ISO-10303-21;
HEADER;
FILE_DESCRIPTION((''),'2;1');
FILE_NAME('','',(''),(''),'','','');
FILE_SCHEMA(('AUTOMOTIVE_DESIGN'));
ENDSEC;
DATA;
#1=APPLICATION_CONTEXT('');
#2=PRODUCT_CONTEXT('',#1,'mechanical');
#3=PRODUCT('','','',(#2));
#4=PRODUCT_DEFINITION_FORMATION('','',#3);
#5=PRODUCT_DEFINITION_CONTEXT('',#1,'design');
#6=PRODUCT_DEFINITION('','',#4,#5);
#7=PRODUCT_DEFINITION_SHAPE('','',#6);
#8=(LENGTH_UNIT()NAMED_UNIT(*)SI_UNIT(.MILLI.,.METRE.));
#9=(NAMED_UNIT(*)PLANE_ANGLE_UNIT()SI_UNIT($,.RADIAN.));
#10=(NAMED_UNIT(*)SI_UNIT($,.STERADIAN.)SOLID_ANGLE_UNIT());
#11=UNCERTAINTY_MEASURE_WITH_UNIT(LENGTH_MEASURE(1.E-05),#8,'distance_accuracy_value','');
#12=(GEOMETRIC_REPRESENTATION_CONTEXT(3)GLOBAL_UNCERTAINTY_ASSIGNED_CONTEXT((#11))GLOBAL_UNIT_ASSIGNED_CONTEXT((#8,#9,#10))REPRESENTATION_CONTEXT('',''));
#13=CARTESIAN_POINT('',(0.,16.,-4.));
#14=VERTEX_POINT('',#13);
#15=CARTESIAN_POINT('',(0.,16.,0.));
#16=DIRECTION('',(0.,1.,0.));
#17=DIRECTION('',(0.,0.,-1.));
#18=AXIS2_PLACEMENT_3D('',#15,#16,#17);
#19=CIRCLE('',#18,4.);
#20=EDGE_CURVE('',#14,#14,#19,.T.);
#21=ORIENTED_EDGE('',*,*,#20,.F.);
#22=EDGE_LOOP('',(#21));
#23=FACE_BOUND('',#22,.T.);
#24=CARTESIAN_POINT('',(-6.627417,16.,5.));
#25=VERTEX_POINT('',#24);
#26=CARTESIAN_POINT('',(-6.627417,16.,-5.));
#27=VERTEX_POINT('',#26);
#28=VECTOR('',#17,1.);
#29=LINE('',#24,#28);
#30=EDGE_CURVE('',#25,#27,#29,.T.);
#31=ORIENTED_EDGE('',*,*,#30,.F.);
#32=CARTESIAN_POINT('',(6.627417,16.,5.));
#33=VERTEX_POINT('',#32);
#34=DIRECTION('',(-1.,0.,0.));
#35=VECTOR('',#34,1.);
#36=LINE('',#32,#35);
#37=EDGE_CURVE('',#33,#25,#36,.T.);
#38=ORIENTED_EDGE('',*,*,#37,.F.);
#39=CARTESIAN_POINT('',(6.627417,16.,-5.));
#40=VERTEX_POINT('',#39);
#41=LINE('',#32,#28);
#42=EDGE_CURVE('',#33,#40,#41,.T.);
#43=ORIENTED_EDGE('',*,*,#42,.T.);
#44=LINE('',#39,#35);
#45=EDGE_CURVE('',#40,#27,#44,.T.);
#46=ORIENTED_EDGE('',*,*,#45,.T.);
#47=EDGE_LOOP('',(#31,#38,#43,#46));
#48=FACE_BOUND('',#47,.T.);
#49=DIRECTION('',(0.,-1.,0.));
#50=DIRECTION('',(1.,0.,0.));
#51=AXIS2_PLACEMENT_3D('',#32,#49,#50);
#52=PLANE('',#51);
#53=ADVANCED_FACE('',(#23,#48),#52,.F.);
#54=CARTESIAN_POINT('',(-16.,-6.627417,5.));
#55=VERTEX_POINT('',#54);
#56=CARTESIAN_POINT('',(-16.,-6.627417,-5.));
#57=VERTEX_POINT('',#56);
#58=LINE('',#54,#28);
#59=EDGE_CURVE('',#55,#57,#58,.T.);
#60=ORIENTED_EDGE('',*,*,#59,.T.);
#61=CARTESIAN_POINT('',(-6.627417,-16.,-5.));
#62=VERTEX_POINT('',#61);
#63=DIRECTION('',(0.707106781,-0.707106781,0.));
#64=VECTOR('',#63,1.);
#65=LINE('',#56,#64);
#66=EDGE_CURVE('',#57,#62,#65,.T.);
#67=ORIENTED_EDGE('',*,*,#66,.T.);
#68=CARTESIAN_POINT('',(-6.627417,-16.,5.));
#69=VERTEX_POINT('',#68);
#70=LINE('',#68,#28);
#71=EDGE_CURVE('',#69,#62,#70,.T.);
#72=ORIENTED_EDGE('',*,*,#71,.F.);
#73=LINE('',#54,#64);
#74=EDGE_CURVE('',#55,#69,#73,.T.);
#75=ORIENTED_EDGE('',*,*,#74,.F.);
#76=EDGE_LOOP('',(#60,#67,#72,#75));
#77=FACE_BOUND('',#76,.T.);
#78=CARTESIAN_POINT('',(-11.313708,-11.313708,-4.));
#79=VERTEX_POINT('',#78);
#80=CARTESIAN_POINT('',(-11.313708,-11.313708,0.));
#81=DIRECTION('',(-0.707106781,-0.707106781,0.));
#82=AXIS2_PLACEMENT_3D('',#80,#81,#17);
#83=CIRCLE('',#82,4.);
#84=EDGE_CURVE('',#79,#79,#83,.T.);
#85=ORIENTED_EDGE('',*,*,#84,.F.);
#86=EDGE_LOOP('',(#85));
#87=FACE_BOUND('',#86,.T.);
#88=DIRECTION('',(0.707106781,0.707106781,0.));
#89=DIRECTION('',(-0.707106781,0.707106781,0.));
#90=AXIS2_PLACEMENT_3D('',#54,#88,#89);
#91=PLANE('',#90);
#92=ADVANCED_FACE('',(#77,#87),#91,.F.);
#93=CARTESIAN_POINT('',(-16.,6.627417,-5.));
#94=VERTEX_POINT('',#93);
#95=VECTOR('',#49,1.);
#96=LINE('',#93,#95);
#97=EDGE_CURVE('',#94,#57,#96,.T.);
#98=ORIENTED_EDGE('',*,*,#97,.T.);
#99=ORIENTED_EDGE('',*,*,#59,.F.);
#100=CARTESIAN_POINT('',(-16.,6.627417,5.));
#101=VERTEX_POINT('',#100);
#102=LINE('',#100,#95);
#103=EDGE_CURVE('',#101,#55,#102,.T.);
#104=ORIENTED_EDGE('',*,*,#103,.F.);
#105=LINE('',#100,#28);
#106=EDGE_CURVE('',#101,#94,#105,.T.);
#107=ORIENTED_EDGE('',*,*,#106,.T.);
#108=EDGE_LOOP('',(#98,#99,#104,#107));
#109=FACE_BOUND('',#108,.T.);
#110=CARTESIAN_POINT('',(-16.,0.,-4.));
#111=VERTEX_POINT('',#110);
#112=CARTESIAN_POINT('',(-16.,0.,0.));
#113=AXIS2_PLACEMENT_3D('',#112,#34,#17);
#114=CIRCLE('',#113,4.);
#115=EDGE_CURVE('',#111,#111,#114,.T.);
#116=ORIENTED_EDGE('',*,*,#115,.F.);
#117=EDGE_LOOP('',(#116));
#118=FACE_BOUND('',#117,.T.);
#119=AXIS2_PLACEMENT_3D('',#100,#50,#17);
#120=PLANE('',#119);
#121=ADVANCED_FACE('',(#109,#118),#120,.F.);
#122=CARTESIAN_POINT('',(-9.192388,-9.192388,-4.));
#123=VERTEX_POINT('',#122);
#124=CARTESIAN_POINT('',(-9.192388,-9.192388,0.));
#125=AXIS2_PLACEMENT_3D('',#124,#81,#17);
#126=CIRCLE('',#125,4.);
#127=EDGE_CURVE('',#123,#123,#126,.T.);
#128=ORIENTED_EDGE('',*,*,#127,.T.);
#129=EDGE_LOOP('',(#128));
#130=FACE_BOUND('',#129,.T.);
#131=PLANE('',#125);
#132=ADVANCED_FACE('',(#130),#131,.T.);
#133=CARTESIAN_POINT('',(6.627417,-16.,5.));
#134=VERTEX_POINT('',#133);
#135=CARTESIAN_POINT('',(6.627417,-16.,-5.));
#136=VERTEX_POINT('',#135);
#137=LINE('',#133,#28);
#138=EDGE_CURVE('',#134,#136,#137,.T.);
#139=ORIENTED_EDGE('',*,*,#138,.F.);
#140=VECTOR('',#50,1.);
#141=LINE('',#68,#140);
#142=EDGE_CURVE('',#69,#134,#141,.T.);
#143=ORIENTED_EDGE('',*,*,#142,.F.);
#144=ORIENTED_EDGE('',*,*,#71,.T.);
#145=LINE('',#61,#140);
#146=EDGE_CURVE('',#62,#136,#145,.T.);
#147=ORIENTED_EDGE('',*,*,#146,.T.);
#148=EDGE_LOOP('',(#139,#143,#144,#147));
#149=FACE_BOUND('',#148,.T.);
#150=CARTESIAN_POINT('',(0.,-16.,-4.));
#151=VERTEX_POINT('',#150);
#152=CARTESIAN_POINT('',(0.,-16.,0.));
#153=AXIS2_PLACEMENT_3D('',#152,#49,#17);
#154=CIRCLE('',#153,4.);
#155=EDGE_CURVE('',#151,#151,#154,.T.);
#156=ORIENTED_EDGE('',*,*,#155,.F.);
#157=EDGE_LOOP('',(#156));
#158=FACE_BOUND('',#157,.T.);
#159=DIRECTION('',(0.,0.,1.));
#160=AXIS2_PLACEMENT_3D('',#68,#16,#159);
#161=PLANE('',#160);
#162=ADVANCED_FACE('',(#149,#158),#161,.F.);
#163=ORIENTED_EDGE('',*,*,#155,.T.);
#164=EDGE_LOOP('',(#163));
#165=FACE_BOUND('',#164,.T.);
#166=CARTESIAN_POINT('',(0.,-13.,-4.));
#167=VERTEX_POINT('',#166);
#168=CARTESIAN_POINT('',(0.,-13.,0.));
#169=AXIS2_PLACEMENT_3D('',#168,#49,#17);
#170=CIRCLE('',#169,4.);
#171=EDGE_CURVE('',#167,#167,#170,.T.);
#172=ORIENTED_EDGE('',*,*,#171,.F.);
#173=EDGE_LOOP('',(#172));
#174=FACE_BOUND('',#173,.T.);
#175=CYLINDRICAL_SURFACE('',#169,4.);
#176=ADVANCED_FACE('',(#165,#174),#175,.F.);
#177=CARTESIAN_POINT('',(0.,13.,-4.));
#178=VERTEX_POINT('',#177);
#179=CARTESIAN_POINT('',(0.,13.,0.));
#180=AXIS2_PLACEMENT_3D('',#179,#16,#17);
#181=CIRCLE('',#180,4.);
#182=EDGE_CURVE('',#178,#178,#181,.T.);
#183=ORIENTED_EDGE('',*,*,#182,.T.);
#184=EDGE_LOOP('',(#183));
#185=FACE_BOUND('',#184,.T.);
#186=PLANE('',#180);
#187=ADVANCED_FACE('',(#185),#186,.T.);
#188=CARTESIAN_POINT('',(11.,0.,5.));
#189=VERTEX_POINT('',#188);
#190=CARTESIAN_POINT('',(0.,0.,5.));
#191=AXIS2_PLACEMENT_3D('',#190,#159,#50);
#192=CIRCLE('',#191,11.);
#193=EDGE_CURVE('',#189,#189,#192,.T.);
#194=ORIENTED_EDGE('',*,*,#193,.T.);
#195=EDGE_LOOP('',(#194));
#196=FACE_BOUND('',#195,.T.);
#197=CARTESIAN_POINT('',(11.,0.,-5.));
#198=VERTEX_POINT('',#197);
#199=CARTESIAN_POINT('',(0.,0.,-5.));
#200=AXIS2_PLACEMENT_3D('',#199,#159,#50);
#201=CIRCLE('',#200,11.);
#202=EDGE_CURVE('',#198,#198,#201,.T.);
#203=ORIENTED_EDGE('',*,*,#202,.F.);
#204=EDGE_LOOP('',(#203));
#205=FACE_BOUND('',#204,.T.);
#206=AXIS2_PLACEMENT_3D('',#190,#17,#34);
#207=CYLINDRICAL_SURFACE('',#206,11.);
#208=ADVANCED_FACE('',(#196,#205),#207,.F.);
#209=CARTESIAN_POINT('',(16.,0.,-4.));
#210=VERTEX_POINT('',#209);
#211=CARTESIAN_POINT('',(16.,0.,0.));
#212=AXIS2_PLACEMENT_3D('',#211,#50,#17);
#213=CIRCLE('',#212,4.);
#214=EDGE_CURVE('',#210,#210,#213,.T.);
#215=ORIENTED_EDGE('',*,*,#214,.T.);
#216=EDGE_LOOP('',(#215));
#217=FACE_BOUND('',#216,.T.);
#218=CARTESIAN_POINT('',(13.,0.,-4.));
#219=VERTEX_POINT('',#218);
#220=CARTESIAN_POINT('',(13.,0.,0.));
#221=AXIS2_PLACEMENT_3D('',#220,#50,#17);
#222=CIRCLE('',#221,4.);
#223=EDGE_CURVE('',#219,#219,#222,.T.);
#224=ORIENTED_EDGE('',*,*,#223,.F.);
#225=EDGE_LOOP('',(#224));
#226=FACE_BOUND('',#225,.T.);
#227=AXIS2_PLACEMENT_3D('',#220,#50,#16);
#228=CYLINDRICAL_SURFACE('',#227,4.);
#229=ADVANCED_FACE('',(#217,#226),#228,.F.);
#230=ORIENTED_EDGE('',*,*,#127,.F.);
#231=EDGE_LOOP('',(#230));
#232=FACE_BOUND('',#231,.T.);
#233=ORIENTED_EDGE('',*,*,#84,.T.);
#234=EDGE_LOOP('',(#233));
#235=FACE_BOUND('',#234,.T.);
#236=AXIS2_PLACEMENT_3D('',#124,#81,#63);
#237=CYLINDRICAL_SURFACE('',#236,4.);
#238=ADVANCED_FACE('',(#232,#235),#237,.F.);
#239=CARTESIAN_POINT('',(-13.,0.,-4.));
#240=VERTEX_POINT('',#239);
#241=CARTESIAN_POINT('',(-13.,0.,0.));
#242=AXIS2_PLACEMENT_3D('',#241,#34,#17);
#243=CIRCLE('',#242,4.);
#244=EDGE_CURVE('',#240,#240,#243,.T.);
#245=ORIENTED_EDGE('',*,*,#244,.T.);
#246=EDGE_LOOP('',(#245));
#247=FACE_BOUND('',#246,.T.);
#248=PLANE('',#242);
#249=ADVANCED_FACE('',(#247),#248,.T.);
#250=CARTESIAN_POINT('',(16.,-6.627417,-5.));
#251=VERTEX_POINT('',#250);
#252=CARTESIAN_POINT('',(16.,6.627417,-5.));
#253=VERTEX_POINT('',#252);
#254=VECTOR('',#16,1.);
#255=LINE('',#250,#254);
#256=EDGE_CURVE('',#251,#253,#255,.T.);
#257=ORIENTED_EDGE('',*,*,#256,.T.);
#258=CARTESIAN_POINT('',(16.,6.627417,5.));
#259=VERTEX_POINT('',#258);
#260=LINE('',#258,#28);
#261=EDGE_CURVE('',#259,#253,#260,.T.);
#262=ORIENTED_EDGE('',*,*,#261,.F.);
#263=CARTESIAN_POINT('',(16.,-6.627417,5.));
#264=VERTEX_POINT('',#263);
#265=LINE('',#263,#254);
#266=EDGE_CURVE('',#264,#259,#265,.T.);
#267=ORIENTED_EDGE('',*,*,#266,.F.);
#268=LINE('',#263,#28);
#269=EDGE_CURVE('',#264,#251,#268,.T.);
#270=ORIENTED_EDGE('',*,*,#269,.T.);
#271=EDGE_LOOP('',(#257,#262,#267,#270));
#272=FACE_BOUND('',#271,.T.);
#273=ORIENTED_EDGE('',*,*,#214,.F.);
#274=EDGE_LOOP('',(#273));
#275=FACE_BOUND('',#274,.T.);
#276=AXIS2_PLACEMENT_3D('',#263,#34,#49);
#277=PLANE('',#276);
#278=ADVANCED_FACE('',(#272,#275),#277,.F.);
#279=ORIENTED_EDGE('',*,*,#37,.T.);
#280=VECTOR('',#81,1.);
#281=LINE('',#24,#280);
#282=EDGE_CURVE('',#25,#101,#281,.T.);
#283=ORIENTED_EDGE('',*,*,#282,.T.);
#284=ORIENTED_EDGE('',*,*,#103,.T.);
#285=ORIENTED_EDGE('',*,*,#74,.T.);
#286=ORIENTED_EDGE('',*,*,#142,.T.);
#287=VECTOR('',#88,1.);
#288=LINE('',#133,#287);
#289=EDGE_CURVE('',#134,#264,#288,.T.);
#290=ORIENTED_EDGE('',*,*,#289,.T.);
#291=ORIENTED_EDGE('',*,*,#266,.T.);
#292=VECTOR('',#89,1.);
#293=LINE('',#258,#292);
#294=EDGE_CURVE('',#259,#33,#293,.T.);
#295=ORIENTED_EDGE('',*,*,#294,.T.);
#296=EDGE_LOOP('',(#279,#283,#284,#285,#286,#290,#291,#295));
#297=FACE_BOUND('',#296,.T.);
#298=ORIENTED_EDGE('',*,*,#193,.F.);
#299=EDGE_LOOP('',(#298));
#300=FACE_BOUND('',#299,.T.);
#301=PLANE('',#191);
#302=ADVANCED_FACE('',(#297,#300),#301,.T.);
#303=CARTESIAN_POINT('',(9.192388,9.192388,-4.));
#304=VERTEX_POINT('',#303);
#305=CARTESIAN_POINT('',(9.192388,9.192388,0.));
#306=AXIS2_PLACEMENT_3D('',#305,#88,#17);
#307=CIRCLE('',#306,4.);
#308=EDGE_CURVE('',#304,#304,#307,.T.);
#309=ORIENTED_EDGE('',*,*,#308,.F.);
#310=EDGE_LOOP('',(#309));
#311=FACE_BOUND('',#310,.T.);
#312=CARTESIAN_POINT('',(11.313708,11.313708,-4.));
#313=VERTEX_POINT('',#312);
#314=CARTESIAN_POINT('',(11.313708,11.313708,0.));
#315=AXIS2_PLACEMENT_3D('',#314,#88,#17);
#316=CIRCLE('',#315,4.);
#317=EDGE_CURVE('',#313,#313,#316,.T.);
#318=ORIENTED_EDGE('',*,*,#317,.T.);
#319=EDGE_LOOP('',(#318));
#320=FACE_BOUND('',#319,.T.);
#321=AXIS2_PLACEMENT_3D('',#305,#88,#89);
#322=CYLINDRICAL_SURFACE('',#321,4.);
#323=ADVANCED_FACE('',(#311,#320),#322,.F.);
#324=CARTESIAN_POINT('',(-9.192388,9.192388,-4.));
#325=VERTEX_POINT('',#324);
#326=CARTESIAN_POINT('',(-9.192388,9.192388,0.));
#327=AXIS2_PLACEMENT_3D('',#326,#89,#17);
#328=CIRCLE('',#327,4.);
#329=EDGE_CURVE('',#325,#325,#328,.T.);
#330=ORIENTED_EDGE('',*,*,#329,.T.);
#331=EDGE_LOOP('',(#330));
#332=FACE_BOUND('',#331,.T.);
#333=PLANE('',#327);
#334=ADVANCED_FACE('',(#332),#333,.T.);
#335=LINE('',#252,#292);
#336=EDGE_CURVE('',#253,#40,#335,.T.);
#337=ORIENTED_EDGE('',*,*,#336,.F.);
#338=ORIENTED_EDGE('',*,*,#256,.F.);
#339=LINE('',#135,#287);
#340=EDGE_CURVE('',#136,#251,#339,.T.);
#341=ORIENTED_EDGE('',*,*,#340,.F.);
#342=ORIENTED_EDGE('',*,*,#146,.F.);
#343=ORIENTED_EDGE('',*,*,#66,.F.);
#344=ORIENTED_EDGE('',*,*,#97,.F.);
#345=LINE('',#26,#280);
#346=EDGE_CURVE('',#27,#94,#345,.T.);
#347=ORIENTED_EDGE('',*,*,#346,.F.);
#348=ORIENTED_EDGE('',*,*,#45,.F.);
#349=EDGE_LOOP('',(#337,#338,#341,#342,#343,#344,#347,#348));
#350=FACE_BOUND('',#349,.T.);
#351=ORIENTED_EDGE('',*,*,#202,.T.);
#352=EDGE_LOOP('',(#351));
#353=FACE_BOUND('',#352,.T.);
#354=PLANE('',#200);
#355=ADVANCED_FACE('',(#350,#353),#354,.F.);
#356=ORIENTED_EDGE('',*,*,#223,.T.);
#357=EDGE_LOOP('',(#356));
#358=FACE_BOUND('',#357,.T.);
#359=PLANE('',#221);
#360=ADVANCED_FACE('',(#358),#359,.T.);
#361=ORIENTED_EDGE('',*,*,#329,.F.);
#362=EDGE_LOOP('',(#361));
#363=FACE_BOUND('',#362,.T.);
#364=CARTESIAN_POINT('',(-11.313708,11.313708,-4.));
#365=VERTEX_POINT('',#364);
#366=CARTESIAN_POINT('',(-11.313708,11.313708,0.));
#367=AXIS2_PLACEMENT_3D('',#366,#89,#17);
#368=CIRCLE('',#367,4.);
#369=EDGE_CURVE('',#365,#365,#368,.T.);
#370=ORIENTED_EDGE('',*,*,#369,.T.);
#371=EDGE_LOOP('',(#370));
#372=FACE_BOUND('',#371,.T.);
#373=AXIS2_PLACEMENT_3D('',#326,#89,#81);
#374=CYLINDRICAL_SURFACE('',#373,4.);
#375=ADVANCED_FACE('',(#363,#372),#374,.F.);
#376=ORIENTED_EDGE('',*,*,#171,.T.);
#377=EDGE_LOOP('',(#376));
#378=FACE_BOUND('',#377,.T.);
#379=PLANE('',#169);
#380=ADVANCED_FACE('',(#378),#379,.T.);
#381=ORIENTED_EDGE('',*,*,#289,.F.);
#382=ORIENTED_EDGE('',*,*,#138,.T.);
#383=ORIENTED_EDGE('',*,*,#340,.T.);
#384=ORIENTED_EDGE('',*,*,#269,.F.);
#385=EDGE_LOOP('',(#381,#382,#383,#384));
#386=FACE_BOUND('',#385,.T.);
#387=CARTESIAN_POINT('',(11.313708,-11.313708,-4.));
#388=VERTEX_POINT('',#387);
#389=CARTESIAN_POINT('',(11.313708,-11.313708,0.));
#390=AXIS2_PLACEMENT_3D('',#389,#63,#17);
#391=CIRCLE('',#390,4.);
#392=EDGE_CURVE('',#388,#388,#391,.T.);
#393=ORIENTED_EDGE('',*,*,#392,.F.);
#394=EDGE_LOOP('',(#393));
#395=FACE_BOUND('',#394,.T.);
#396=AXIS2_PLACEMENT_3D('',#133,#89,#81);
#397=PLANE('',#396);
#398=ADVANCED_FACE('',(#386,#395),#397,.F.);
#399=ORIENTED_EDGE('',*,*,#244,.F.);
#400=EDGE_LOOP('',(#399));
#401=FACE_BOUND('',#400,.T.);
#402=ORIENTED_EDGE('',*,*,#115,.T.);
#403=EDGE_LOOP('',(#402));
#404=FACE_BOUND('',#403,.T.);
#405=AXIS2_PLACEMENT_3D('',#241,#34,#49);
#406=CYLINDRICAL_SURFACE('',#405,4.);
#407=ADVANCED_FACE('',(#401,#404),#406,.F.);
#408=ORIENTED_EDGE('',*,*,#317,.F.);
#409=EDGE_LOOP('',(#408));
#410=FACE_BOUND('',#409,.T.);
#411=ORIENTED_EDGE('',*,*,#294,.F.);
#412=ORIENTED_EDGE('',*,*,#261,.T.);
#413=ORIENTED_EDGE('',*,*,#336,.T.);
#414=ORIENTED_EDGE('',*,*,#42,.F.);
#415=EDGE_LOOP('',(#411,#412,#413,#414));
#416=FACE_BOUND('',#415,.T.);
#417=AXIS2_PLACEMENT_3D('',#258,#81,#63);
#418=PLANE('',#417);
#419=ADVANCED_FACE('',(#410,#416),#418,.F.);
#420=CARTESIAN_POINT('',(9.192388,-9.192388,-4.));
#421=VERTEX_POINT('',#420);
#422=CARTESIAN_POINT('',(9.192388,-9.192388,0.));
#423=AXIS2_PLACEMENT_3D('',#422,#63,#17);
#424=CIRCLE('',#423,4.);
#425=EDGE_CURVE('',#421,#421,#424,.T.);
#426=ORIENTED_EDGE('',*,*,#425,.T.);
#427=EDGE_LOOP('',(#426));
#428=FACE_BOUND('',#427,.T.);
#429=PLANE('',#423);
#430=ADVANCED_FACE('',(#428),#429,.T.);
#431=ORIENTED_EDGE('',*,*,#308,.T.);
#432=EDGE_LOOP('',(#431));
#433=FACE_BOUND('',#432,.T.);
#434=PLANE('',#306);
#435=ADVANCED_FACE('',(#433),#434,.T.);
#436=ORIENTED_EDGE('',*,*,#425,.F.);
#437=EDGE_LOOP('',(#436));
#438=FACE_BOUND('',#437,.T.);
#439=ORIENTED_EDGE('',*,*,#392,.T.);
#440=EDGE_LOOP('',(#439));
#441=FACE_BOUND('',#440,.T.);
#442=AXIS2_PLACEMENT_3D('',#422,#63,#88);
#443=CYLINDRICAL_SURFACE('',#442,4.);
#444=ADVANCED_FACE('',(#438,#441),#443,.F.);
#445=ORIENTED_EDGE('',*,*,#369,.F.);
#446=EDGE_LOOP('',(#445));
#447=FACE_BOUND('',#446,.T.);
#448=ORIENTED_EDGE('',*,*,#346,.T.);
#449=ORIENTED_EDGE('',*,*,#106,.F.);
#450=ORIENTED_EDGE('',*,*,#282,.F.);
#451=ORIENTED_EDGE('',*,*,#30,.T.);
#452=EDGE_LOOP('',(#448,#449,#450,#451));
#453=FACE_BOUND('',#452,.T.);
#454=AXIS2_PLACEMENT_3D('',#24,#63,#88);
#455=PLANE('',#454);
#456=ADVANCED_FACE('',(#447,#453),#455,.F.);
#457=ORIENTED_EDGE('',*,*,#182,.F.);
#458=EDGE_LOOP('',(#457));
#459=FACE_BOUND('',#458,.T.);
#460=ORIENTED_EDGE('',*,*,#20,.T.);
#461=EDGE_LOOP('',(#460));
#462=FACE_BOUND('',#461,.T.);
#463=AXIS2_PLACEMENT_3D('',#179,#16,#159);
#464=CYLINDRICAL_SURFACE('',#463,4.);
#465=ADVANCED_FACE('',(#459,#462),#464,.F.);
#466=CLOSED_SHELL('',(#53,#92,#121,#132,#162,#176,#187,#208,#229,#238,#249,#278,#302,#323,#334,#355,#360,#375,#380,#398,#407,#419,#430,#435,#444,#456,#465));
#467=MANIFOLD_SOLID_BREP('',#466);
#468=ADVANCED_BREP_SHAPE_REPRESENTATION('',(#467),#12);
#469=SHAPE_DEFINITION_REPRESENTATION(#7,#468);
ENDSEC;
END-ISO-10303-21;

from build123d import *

# Parameters (mm, degrees)
SKETCH1_R           = 11
BOSS_EXTRUDE1_DEPTH = 5
SKETCH2_R           = 4
CUT_EXTRUDE3_DEPTH  = 3
CIRPATTERN1_COUNT   = 8


with BuildPart() as part:
    # Sketch1 → Boss-Extrude1 (new, symmetric)
    with BuildSketch(Plane.XY):
        Polygon((6.627416998, 16), (-6.627416998, 16), (-16, 6.627416998), (-16, -6.627416998), (-6.627416998, -16), (6.627416998, -16), (16, -6.627416998), (16, 6.627416998), align=None)
        Circle(SKETCH1_R, mode=Mode.SUBTRACT)
    extrude(amount=BOSS_EXTRUDE1_DEPTH, both=True)

    # Sketch2 → Cut-Extrude3 (cut)
    with BuildSketch(Plane(origin=(0, -16, 0), x_dir=(-1, 0, 0), z_dir=(0, -1, 0))):
        Circle(SKETCH2_R)
    cut_extrude3 = extrude(amount=-CUT_EXTRUDE3_DEPTH, mode=Mode.SUBTRACT)

    # CirPattern1: Cut-Extrude3 ×8 about axis
    cirpattern1_axis = Axis((0, 0, 5), (0, 0, 1))
    for i in range(1, CIRPATTERN1_COUNT):
        add(cut_extrude3.rotate(cirpattern1_axis, i * 360 / CIRPATTERN1_COUNT), mode=Mode.SUBTRACT)


solid = part.part
